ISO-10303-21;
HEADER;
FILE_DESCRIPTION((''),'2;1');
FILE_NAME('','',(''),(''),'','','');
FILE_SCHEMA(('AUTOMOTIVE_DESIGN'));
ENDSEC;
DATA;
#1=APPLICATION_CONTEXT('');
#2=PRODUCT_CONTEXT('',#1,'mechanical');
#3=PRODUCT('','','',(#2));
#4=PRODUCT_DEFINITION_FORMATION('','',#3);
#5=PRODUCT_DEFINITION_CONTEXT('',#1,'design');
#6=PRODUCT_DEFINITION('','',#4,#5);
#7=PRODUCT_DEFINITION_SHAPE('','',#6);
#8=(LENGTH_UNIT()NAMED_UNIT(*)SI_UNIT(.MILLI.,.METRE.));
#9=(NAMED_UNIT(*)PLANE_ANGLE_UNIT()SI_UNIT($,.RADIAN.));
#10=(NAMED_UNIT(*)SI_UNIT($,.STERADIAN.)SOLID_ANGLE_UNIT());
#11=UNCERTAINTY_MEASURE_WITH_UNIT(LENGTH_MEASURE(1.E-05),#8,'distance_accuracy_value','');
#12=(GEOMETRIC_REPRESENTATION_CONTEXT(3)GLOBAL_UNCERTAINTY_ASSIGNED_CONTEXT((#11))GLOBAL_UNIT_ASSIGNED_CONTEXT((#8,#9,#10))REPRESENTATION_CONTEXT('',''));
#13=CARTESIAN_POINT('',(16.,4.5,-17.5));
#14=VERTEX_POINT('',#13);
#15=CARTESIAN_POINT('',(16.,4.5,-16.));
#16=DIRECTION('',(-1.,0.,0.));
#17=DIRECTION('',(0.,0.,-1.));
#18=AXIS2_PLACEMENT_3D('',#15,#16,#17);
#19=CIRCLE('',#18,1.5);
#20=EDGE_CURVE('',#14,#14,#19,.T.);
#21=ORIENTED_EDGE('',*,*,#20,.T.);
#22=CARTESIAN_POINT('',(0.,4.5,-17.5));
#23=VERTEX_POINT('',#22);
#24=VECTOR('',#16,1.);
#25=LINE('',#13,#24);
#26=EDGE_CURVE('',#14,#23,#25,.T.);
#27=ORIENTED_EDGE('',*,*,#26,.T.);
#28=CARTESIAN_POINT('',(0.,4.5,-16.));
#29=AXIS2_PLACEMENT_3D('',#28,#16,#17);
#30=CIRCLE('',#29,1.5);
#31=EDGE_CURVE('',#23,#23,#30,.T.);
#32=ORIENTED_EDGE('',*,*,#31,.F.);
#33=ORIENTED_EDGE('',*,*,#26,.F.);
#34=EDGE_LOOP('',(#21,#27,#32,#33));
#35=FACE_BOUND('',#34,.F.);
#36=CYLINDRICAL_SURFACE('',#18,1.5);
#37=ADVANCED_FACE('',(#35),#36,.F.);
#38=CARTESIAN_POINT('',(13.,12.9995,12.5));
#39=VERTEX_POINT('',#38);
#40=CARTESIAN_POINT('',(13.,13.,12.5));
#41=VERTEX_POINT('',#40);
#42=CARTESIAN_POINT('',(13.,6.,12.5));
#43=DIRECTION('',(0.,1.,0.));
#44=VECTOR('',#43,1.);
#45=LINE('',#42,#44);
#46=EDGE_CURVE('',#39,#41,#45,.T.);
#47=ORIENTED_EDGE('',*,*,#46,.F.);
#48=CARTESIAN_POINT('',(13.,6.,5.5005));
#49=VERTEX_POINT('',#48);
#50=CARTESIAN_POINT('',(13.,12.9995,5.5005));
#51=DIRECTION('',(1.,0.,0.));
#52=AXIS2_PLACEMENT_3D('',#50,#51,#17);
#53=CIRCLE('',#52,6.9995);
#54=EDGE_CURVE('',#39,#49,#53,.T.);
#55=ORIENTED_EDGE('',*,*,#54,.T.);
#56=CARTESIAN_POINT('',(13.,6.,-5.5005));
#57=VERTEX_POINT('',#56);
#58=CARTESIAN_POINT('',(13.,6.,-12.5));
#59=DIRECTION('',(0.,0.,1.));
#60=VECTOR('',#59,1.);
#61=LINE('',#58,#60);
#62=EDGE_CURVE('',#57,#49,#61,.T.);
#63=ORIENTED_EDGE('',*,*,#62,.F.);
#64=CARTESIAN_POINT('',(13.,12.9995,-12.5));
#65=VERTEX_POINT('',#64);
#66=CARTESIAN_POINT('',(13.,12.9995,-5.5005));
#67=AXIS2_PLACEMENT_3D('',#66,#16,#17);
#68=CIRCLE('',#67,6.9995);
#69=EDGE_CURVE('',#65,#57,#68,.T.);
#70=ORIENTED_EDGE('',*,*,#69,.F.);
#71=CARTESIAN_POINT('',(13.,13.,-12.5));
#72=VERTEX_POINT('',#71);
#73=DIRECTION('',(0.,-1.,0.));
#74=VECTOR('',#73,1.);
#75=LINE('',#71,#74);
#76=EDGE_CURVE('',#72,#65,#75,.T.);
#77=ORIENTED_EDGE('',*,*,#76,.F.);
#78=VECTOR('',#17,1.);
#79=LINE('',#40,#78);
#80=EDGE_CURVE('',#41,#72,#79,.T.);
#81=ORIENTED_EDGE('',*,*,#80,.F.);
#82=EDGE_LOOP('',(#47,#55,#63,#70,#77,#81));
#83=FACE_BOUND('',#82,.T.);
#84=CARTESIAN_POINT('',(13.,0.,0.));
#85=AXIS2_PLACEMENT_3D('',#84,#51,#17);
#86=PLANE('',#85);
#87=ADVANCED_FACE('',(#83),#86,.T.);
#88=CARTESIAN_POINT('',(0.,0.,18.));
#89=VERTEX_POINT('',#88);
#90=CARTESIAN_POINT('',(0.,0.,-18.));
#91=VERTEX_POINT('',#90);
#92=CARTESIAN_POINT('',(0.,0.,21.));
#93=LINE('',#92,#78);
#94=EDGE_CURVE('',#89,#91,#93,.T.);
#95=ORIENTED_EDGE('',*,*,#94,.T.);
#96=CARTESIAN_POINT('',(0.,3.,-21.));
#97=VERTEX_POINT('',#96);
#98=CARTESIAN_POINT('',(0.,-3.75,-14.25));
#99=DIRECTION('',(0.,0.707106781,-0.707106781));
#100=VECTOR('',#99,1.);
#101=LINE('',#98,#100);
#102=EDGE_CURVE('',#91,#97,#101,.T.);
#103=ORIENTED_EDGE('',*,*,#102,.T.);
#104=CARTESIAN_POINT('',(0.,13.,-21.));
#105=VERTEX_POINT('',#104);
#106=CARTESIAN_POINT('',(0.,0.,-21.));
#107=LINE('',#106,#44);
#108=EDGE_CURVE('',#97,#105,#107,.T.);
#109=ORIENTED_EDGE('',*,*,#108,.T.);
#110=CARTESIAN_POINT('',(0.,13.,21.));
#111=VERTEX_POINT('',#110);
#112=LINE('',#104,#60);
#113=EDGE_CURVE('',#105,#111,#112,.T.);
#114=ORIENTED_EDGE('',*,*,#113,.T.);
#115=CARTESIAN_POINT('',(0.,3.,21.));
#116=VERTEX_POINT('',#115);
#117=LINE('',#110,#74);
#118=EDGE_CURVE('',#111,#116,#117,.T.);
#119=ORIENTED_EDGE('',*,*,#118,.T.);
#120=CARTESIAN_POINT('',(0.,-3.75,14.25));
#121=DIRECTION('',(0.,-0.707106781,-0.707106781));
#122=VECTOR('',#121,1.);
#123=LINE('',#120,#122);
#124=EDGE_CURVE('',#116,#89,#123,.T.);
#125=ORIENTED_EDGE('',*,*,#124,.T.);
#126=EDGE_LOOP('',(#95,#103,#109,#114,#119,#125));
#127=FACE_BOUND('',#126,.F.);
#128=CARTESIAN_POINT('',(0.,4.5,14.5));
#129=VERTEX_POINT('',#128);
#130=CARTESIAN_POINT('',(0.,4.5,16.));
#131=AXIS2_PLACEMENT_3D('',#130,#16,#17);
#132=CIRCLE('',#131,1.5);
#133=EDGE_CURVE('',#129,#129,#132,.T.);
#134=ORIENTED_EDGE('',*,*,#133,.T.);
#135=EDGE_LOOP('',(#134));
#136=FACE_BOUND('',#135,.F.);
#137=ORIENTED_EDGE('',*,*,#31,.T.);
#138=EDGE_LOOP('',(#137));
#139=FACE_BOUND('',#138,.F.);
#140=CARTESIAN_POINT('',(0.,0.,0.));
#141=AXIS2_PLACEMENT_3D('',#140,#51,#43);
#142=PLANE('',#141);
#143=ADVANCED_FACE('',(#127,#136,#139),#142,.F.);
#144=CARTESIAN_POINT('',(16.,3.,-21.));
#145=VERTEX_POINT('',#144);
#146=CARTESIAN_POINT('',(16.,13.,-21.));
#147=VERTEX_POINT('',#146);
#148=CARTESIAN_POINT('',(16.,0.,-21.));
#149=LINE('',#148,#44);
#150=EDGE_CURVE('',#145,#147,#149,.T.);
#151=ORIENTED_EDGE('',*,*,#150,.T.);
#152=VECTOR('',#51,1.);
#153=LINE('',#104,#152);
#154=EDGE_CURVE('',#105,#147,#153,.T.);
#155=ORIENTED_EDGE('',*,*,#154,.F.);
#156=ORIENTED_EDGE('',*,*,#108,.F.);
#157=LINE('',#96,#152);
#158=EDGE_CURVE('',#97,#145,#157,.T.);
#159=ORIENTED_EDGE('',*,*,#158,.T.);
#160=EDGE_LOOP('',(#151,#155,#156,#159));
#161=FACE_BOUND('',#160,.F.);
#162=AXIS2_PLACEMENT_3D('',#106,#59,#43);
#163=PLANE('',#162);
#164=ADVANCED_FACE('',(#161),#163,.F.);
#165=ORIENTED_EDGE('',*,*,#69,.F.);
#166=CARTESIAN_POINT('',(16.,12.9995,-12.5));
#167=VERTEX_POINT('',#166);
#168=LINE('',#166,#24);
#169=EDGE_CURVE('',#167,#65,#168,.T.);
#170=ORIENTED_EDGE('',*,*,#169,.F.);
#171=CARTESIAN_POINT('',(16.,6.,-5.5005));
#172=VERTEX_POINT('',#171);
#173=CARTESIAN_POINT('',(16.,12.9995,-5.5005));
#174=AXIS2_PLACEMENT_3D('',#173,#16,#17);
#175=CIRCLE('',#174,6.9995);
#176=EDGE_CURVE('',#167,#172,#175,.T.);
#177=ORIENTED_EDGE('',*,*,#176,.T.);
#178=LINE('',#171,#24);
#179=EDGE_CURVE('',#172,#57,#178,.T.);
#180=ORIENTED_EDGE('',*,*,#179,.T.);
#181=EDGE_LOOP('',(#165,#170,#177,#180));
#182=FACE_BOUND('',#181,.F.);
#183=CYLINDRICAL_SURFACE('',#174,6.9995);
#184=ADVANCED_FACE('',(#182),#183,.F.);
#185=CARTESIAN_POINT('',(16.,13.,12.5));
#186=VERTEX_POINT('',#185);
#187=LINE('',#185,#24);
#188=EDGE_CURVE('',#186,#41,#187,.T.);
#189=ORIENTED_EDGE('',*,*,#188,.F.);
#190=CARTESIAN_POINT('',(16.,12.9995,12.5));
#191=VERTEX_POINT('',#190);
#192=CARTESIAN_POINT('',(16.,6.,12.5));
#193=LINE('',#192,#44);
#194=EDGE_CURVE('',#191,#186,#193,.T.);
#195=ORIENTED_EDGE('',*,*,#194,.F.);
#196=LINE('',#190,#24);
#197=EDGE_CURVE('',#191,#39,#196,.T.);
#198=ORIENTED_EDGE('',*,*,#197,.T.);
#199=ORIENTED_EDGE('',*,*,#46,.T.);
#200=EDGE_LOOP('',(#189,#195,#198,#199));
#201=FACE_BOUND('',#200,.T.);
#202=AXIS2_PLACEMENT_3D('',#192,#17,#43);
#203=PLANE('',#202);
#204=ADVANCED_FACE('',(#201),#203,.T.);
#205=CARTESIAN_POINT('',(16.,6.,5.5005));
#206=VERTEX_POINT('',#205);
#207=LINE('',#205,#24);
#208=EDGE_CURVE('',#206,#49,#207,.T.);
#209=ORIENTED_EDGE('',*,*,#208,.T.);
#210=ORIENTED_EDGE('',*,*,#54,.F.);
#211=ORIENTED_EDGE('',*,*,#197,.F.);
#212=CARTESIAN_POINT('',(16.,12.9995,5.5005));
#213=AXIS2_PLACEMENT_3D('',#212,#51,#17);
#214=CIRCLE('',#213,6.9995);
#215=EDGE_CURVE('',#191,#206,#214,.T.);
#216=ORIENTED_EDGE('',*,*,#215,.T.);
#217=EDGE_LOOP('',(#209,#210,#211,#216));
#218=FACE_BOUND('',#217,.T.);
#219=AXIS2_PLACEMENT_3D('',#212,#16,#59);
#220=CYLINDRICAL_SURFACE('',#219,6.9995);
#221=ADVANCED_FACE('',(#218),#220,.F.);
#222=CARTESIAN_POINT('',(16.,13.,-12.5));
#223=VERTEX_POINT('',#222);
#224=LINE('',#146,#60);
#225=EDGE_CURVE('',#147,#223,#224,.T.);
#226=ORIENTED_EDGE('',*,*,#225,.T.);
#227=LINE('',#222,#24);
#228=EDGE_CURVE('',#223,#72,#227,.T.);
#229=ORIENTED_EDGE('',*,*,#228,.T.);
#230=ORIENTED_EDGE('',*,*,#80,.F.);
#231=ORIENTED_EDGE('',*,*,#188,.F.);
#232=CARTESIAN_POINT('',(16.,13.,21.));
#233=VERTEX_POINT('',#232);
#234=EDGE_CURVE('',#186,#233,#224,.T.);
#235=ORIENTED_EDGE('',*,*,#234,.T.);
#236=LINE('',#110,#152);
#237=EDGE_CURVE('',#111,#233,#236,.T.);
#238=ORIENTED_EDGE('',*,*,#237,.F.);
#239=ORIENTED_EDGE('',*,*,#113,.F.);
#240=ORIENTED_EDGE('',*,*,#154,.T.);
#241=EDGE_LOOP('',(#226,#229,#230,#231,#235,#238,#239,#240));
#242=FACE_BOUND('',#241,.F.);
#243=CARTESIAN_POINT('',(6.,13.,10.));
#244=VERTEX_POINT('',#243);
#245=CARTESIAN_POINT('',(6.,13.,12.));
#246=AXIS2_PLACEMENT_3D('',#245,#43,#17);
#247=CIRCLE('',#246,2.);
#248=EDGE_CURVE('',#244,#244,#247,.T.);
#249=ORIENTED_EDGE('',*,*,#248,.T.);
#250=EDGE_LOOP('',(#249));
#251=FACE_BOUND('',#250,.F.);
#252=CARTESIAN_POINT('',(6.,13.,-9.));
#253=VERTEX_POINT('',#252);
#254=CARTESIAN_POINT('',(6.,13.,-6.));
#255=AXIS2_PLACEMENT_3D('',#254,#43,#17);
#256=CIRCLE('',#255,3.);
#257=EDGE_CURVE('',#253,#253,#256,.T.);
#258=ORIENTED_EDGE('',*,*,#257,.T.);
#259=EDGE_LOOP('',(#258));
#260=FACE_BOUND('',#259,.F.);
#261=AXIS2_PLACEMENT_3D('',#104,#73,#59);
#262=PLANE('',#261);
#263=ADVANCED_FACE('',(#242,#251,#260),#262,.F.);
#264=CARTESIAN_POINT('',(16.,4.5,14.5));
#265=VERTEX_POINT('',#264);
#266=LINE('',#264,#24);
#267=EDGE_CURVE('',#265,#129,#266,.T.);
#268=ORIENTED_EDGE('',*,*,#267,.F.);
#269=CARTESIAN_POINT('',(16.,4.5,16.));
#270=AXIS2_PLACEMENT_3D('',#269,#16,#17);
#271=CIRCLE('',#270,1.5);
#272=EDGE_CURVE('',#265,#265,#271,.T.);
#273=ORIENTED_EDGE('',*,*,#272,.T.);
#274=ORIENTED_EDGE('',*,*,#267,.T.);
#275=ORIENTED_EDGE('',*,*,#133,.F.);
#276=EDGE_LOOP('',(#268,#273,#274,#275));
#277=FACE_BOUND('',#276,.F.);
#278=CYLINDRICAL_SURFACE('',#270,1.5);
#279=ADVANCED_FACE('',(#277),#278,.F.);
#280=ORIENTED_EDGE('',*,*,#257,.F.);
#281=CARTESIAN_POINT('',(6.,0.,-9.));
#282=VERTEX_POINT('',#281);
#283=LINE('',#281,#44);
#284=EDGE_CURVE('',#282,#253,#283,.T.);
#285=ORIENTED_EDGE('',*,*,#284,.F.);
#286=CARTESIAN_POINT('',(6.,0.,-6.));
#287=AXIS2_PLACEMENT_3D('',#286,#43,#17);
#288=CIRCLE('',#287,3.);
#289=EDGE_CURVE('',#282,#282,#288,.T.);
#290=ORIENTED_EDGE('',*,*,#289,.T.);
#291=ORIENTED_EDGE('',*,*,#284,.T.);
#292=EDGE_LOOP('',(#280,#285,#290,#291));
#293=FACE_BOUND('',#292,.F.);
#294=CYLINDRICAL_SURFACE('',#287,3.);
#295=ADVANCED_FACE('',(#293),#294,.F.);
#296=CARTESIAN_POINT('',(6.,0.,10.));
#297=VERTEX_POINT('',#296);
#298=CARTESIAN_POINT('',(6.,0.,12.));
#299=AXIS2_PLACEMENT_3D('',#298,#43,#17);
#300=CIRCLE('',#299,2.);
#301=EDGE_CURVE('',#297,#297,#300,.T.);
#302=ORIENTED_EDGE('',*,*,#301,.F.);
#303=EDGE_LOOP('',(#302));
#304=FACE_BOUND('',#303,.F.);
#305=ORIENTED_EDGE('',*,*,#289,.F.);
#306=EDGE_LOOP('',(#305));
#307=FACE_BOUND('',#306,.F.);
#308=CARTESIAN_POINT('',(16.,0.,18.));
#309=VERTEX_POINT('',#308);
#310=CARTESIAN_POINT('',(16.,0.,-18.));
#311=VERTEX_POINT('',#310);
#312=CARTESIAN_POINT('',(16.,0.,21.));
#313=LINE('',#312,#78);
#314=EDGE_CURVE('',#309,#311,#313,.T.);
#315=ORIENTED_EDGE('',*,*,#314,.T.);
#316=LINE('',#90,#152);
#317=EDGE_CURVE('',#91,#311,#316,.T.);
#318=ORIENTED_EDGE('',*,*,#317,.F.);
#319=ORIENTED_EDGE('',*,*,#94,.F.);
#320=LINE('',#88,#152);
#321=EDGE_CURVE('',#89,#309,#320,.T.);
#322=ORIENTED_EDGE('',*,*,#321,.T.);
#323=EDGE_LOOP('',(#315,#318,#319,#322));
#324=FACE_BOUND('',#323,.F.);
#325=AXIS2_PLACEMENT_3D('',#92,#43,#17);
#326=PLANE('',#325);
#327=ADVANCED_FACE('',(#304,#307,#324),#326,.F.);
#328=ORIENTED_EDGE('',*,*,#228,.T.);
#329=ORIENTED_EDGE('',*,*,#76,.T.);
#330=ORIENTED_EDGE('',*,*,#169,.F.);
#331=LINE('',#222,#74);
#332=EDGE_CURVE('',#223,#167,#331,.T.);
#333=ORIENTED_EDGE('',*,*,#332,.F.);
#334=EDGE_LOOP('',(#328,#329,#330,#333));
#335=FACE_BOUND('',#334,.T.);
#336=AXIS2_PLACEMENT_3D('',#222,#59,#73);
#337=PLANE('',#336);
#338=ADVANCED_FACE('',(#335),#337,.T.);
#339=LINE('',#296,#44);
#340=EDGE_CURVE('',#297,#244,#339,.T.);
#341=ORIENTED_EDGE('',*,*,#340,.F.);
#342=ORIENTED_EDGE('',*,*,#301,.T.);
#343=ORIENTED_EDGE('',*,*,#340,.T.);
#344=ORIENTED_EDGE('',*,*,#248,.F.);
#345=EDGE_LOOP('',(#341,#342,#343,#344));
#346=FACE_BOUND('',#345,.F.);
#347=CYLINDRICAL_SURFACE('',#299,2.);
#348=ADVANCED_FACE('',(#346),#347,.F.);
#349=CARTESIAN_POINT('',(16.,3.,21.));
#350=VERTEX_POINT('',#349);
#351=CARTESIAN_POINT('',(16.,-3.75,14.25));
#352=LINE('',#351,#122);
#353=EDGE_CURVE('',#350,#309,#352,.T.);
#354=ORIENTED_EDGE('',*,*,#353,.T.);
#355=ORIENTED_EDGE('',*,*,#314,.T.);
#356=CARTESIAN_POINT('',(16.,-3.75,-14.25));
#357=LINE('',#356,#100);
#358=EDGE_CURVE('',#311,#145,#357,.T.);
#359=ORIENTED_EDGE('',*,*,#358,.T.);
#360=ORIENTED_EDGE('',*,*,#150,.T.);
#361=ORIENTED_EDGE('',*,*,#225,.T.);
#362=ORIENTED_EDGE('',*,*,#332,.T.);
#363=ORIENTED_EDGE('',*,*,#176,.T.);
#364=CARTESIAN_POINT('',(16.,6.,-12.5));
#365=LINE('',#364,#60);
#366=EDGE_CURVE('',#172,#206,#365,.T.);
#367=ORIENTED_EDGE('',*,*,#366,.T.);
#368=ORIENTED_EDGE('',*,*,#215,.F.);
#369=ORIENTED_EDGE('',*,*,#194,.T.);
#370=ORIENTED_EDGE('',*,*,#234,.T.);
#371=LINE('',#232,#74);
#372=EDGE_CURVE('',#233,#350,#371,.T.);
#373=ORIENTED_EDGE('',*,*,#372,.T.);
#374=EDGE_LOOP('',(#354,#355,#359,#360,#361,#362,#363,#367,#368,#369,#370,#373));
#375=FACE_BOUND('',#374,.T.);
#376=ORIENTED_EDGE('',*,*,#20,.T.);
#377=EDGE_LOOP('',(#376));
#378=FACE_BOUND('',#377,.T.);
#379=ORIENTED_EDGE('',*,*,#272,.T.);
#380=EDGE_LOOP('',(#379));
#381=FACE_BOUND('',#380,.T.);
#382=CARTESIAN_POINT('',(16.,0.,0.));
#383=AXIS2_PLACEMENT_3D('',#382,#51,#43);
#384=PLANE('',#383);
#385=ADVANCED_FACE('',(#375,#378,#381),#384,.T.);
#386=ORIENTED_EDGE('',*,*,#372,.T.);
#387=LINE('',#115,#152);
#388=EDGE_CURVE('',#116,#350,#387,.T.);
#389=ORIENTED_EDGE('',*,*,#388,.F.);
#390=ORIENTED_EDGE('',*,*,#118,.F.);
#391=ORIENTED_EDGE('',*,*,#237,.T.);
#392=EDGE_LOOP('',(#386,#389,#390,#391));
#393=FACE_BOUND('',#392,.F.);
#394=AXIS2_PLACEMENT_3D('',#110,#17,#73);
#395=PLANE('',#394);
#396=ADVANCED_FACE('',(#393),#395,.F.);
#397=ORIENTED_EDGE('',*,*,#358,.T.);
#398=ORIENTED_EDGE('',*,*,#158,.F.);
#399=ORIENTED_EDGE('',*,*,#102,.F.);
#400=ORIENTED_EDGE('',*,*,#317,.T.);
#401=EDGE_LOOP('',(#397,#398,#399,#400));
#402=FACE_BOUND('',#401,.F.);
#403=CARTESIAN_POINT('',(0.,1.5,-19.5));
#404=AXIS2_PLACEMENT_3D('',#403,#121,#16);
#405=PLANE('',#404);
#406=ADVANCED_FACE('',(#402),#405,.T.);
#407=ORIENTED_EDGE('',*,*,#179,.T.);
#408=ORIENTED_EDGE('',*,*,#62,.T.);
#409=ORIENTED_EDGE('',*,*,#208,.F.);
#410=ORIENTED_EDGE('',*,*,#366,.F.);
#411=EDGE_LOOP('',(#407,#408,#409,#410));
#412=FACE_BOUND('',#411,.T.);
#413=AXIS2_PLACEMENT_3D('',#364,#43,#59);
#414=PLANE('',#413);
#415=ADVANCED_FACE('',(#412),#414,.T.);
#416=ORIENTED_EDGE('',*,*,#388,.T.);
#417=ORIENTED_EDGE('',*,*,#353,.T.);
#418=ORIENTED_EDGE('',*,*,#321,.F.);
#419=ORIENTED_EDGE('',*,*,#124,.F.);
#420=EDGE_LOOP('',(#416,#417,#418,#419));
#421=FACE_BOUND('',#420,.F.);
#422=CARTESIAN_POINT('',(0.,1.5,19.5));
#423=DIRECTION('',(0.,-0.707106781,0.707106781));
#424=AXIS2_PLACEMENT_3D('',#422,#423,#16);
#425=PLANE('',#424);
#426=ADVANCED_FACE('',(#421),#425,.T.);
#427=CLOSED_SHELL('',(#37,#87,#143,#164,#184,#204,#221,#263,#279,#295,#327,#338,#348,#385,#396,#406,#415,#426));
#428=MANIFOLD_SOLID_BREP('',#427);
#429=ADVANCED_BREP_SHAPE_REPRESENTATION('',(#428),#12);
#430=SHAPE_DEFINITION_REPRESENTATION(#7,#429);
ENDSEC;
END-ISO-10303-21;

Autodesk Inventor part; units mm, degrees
ref_plane "YZ Plane" through (0, 0, 0) normal (1, 0, 0) x (0, 1, 0)
ref_plane "XZ Plane" through (0, 0, 0) normal (0, 1, 0) x (-1, 0, 0)
ref_plane "XY Plane" through (0, 0, 0) normal (0, 0, 1) x (1, 0, 0)
sketch "Szkic1" plane through (0, 0, 0) normal (1, 0, 0) x (0, 1, 0)
  line L0 (13, 21) -> (0, 21)
  line L1 (0, 21) -> (0, -21)
  line L2 (0, -21) -> (13, -21)
  line L3 (13, -21) -> (13, 21)
  line L4 (0, 0) -> (13, 0) construction
  dimension "d0" = 42
  dimension "d1" = 13
extrude "Wyciągnięcie proste3" add sketch "Szkic1" along normal blind 16
sketch "Szkic4" plane through (16, 0, 0) normal (1, 0, 0) x (0, 0, -1)
  line L0 (-12.5, 13) -> (12.5, 13)
  line L1 (12.5, 13) -> (12.5, 6)
  line L2 (12.5, 6) -> (-12.5, 6)
  line L3 (-12.5, 6) -> (-12.5, 13)
  line L4 (0, 6) -> (0, 0) construction
  line L5 (21, 13) -> (-21, 13) projected
  point P0 (0, 13)
  dimension "d10" = 25
  dimension "d11" = 7
extrude "Wyciągnięcie proste4" cut sketch "Szkic4" against normal blind 3
fillet "Zaokrąglenie1" radius 7 2 edges at (14.5, 6, 12.5) (14.5, 6, -12.5)
sketch "Szkic5" plane through (16, 0, 0) normal (1, 0, 0) x (0, 0, -1)
  line L0 (0, 0) -> (0, 13) construction
  line L1 (-12.5, 13) -> (12.5, 13) projected
  line L2 (-21, 13) -> (-21, 0) projected
  line L3 (-21, 0) -> (21, 0) projected
  point P0 (-16, 4.5)
  point P1 (16, 4.5)
  dimension "d15" = 32
  dimension "d17" = 4.5
hole "Otwór1" at (16, 4.5, 16) at (16, 4.5, -16) direction (-1, 0, 0) diameter 3 end through all
chamfer "Faza1" distance 3 angle 45 2 edges at (8, 0, 21) (8, 0, -21)
sketch "Szkic6" plane through (0, 0, -18) normal (0, -1, 0) x (1, 0, 0)
  line L0 (0, -3) -> (16, -3) projected
  line L1 (0, 36) -> (0, 0) projected
  point P0 (0, 18)
  point P1 (6, 12)
  dimension "d28" = 15
  dimension "d29" = 6
hole "Otwór2" at (6, 0, -6) direction (0, 1, 0) diameter 6 end through all
sketch "Szkic7" plane through (0, 0, -18) normal (0, -1, 0) x (1, 0, 0)
  line L0 (16, 39) -> (0, 39) projected
  circle A0 centre (6, 12) radius 3 projected
  point P0 (0, 18)
  point P1 (6, 30)
  dimension "d37" = 9
hole "Otwór3" at (6, 0, 12) direction (0, 1, 0) diameter 4 end through all
thread "Gwint1" size "M6x1" class "6H" standard "ANSI Metric M Profile" full length
thread "Gwint2" size "M4x0.7" class "6H" standard "ANSI Metric M Profile" full length
thread "Gwint3" size "M3x0.5" class "6H" standard "ANSI Metric M Profile" full length
thread "Gwint4" size "M3x0.5" class "6H" standard "ANSI Metric M Profile" full length
properties part number "33_ekstruder1"
